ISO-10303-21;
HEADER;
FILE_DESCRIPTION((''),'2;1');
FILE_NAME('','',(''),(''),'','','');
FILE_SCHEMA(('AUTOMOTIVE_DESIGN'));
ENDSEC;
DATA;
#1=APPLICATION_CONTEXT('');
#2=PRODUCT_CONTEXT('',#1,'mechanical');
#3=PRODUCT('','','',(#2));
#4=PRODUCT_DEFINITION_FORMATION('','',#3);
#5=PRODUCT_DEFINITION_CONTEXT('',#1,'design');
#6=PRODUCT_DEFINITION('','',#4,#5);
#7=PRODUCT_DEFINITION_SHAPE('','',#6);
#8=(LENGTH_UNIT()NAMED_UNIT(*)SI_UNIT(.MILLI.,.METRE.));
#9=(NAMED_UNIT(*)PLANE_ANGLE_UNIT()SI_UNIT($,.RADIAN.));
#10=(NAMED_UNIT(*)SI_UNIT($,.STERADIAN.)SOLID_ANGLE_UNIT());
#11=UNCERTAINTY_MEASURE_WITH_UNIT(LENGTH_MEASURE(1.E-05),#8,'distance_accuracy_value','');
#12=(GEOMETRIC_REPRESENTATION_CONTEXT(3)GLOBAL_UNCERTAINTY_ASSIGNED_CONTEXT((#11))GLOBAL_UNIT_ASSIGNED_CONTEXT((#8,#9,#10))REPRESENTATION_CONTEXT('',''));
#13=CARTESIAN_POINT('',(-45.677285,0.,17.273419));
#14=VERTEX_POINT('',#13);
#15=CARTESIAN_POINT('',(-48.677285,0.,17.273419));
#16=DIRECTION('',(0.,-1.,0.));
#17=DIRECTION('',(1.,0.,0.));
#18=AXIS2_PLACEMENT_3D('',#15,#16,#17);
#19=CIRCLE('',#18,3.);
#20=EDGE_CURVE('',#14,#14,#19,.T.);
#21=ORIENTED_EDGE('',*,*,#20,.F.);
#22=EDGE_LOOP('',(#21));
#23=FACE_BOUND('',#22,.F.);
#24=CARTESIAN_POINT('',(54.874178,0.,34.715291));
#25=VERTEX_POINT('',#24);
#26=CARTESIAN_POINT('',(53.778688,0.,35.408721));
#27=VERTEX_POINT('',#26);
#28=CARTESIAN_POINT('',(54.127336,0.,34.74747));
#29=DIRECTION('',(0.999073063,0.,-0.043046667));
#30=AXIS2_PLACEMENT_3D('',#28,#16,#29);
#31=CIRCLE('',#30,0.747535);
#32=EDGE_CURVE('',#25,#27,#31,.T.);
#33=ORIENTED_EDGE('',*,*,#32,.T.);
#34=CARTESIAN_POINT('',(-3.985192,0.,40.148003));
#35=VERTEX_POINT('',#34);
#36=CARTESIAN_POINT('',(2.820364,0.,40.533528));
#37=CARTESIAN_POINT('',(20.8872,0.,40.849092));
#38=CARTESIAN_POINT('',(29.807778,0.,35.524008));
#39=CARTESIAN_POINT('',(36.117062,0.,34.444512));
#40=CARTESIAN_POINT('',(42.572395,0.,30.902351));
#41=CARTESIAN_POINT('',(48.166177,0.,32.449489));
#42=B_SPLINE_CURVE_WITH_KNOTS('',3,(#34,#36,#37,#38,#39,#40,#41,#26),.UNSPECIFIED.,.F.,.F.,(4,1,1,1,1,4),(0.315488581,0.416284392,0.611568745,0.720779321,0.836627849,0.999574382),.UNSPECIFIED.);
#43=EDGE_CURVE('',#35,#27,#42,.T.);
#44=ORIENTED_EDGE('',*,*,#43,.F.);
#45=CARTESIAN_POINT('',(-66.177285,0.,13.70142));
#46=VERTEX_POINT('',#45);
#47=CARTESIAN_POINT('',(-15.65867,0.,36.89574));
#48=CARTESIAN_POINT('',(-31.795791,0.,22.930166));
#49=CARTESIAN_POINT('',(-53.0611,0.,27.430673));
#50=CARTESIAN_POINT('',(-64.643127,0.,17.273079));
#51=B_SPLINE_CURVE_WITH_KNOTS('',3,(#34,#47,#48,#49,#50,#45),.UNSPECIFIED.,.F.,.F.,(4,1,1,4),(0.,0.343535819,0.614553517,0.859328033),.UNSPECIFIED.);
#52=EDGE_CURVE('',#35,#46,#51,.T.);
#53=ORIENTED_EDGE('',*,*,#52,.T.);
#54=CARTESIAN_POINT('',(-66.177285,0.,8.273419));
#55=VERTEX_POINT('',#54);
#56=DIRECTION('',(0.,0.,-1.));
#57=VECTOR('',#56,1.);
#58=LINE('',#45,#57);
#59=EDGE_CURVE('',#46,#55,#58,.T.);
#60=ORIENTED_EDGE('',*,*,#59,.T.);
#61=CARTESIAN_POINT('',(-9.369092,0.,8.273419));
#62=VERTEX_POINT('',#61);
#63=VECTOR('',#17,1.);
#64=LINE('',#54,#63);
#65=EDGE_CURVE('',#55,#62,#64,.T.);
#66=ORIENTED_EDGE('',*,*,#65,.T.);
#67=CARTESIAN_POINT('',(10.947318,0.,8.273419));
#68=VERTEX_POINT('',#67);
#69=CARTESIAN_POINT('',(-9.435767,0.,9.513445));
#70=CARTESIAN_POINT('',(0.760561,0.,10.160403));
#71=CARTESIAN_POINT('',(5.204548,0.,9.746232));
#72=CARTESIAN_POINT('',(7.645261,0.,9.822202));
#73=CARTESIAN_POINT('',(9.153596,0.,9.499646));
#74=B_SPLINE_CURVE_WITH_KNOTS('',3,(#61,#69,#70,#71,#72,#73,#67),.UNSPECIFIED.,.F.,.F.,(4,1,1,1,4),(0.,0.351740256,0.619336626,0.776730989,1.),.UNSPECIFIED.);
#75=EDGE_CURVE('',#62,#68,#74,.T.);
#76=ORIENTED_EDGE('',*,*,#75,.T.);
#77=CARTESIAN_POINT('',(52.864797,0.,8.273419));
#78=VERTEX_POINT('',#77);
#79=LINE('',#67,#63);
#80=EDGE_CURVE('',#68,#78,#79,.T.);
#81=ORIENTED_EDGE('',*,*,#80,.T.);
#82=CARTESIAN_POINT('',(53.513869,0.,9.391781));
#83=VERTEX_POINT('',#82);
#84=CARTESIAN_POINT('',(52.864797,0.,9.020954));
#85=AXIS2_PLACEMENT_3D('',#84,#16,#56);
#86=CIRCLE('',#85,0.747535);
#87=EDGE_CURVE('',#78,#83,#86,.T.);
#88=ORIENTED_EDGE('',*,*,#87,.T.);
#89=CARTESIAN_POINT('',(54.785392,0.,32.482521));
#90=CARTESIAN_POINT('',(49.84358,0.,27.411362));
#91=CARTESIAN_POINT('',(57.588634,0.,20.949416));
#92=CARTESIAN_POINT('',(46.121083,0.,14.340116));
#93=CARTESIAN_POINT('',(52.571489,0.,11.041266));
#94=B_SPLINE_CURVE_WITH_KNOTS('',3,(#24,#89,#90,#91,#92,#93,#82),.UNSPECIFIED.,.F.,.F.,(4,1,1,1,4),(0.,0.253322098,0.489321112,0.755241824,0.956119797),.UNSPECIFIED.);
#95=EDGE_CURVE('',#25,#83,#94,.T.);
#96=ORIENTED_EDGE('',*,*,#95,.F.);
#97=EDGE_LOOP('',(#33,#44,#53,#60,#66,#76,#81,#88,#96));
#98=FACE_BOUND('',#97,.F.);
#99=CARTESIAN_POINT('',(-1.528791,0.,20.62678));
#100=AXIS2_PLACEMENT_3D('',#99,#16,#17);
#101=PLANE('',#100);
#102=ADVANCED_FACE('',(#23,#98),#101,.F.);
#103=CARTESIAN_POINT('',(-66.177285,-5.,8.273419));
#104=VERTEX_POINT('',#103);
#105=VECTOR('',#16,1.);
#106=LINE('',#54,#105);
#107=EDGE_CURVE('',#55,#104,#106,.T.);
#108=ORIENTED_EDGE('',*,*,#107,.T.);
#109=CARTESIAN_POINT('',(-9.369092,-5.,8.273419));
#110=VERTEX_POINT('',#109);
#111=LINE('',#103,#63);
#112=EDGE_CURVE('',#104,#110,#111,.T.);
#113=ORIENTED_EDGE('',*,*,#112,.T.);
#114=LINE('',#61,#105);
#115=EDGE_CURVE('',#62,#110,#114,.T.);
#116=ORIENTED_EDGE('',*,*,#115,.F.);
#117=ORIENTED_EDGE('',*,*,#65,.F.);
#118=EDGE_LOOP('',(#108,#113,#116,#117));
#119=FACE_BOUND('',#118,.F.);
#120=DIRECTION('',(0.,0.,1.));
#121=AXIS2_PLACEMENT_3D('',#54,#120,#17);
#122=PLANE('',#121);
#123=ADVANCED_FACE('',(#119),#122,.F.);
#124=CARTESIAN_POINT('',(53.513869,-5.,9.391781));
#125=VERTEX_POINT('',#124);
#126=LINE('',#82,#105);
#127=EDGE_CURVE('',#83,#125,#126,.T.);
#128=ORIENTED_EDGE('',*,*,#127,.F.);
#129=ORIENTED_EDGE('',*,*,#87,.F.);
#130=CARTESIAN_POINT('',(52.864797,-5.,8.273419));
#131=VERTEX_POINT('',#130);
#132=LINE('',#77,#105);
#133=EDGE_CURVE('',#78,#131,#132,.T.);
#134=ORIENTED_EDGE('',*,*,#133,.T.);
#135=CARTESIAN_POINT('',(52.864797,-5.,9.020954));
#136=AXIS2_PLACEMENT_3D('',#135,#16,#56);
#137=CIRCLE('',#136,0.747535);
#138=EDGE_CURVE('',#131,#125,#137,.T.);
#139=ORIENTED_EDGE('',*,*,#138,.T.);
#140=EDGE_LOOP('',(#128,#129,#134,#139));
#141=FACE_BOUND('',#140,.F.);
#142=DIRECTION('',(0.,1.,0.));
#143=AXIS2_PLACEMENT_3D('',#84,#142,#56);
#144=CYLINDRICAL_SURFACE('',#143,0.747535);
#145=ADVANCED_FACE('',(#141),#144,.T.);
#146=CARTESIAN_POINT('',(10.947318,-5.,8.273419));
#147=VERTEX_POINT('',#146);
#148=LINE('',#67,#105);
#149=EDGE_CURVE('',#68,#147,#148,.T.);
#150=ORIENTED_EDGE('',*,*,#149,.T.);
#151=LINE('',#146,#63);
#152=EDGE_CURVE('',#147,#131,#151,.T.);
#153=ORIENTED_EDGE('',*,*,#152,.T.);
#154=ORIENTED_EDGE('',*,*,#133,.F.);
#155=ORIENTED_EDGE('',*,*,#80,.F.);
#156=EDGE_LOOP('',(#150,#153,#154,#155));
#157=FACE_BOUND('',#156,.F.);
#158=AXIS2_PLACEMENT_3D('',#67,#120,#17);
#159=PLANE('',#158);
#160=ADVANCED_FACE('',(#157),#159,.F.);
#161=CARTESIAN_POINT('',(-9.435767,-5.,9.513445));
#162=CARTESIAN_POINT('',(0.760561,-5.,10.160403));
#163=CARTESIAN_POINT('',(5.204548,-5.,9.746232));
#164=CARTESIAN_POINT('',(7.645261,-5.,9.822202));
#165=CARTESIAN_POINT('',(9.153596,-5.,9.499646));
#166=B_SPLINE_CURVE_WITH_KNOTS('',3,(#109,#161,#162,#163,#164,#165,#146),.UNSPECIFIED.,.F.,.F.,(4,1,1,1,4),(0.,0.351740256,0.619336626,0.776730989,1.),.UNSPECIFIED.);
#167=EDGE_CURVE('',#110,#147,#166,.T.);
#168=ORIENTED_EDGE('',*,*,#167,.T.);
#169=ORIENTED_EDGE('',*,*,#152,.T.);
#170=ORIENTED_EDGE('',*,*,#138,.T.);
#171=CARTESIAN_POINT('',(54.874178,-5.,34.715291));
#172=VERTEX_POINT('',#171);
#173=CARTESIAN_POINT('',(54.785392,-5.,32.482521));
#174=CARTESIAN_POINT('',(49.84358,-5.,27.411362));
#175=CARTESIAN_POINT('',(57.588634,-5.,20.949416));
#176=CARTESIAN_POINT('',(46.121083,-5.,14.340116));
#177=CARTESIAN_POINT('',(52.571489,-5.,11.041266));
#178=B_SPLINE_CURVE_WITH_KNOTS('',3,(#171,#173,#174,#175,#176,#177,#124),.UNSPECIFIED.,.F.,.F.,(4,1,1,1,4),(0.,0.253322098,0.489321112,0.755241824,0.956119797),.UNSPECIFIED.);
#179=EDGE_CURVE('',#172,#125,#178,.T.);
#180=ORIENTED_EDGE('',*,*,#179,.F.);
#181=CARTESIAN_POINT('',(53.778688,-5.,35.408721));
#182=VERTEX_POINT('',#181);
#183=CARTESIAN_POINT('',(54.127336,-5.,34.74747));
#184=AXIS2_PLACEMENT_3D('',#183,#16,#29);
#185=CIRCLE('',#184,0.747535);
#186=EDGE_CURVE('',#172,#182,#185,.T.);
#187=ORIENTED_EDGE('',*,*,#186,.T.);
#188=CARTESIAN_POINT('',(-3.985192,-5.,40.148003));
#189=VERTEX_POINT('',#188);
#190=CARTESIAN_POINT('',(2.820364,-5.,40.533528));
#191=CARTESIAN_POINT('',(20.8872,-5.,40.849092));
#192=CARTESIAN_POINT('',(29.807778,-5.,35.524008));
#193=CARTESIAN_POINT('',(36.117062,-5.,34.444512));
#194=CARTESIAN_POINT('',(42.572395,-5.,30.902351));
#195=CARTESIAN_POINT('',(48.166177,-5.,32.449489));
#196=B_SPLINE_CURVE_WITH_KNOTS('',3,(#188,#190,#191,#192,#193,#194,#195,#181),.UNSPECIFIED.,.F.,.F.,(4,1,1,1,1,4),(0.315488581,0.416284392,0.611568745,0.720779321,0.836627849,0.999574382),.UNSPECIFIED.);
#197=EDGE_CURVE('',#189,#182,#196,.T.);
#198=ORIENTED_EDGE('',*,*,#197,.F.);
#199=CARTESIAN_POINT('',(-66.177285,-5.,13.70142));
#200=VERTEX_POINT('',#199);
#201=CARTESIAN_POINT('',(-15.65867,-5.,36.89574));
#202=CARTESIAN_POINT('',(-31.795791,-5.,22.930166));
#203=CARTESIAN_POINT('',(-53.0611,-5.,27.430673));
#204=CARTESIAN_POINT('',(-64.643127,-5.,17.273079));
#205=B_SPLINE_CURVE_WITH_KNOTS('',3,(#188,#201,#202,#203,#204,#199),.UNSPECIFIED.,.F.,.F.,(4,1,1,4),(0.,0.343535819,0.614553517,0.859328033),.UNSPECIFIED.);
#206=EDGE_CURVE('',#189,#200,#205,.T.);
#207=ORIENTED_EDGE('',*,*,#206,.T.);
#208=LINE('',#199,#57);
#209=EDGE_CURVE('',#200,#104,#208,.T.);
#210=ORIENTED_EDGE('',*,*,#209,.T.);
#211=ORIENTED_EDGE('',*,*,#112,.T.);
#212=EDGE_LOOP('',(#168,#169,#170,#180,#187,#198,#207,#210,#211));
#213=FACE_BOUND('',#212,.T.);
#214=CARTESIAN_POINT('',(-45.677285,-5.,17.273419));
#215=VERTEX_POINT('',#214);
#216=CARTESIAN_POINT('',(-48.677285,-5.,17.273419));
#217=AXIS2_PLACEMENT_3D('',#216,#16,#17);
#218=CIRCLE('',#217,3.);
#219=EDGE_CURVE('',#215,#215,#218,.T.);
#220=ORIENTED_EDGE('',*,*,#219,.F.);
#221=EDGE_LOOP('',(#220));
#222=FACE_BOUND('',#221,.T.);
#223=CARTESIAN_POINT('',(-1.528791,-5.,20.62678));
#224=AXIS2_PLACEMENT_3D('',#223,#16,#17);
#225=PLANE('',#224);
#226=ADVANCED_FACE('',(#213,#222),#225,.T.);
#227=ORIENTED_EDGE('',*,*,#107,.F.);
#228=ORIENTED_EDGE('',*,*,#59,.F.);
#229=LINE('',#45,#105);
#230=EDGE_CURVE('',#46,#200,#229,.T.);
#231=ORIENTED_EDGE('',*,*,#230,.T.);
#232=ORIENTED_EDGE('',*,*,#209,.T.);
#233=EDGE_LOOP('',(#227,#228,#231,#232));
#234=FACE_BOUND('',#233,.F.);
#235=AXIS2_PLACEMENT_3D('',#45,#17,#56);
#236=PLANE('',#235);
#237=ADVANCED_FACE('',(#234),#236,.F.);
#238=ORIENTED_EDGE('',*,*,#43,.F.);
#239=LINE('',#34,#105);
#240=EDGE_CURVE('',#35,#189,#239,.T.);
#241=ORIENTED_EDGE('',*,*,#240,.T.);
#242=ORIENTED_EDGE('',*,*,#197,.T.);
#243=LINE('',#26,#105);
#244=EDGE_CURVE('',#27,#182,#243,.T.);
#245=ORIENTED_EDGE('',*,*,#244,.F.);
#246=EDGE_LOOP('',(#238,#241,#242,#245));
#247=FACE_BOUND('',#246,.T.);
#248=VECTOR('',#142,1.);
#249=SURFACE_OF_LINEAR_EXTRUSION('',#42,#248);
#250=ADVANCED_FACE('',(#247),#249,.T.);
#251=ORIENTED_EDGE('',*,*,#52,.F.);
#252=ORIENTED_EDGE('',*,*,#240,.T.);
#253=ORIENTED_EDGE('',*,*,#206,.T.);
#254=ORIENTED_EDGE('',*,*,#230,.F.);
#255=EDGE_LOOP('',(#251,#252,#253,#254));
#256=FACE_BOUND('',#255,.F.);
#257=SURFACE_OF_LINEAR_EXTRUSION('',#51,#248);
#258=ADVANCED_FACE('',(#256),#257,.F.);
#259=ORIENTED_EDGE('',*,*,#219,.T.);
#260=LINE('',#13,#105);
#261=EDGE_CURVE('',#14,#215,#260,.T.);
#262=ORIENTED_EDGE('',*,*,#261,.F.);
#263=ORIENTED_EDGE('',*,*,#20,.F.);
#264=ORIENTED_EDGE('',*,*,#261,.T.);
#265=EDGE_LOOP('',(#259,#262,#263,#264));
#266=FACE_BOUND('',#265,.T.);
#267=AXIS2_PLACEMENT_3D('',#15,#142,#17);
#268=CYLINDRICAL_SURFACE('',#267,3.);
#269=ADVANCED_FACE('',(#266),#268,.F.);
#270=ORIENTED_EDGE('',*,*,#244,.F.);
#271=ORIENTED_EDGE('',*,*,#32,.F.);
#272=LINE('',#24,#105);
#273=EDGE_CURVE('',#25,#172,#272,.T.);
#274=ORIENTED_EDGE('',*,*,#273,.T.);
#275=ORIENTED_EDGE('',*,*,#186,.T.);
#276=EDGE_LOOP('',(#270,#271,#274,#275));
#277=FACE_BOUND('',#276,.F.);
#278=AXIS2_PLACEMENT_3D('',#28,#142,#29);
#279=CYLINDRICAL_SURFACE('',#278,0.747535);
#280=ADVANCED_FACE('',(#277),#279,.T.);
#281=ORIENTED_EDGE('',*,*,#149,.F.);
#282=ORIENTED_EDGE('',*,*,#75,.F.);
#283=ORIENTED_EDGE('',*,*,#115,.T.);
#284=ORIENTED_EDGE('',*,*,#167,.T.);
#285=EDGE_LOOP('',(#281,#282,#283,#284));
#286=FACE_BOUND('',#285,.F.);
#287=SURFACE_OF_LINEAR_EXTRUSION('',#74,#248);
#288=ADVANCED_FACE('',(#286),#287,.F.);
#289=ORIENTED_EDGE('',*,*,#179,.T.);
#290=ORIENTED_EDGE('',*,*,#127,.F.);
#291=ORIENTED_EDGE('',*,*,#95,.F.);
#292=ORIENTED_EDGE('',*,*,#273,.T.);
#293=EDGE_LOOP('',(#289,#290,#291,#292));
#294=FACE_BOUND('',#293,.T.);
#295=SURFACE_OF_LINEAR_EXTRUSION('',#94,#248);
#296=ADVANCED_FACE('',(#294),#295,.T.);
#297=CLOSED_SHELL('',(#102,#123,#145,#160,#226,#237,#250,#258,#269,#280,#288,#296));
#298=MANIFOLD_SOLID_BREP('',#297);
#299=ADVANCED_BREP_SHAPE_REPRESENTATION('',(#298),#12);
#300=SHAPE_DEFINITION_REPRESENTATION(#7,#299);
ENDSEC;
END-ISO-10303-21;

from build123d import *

# Parameters (mm, degrees)
F0_R     = 3
F1_DEPTH = 5


with BuildPart() as f1:
    # F0 (on Front) → F1 (new body)
    with BuildSketch(Plane.XZ):
        with BuildLine():
            Line((10.9473178163, 8.2734189928), (48.8227154315, 8.2734189928))
            Line((48.8227154315, 8.2734189928), (52.8647966023, 8.2734189928))
            ThreePointArc((52.8647966023, 8.2734189928), (53.5113312928, 8.6457190391), (53.5138694303, 9.391780691))
            add(Edge.make_bspline(
                [(54.8741780221, 34.7152911127), (54.7853917857, 32.4825209411), (49.8435798167, 27.4113618396), (57.5886340879, 20.9494163736), (46.1210834861, 14.3401157668), (52.5714889524, 11.0412658068), (53.5138694303, 9.391780691)],
                knots=[0, 0, 0, 0, 0.2533220978, 0.4893211117, 0.7552418242, 0.9561197971, 0.9561197971, 0.9561197971, 0.9561197971], degree=3))
            ThreePointArc((54.8741780221, 34.7152911127), (54.5271493937, 35.3791008895), (53.7786876635, 35.4087205995))
            add(Edge.make_bspline(
                [(-3.9851918418, 40.1480031486), (2.8203642164, 40.5335278502), (20.8872001673, 40.8490917009), (29.807778368, 35.524007941), (36.117061665, 34.4445122433), (42.5723950508, 30.9023510357), (48.166177093, 32.4494890796), (53.7786876635, 35.4087205995)],
                knots=[0.3154885814, 0.3154885814, 0.3154885814, 0.3154885814, 0.4162843925, 0.6115687446, 0.7207793214, 0.8366278486, 0.9995743823, 0.9995743823, 0.9995743823, 0.9995743823], degree=3))
            add(Edge.make_bspline(
                [(-3.9851918418, 40.1480031486), (-15.6586702779, 36.8957402817), (-31.7957906872, 22.9301661804), (-53.0611001267, 27.4306729887), (-64.6431266616, 17.2730791538), (-66.1772845685, 13.7014202774)],
                knots=[0, 0, 0, 0, 0.3435358191, 0.6145535166, 0.8593280333, 0.8593280333, 0.8593280333, 0.8593280333], degree=3))
            Line((-66.1772845685, 13.7014202774), (-66.1772845685, 8.2734189928))
            Line((-66.1772845685, 8.2734189928), (-51.1772845685, 8.2734189928))
            Line((-51.1772845685, 8.2734189928), (-9.3690920621, 8.2734189928))
            add(Edge.make_bspline(
                [(-9.3690920621, 8.2734189928), (-9.4357668626, 9.5134445817), (0.7605605094, 10.1604030053), (5.2045478879, 9.7462324092), (7.6452607591, 9.8222018536), (9.1535961169, 9.4996455169), (10.9473178163, 8.2734189928)],
                knots=[0, 0, 0, 0, 0.3517402558, 0.6193366257, 0.7767309892, 1, 1, 1, 1], degree=3))
        make_face()
        with Locations((-48.6772845685, 17.2734189928)):
            Circle(F0_R, mode=Mode.SUBTRACT)
    extrude(amount=F1_DEPTH)


solid = f1.part
